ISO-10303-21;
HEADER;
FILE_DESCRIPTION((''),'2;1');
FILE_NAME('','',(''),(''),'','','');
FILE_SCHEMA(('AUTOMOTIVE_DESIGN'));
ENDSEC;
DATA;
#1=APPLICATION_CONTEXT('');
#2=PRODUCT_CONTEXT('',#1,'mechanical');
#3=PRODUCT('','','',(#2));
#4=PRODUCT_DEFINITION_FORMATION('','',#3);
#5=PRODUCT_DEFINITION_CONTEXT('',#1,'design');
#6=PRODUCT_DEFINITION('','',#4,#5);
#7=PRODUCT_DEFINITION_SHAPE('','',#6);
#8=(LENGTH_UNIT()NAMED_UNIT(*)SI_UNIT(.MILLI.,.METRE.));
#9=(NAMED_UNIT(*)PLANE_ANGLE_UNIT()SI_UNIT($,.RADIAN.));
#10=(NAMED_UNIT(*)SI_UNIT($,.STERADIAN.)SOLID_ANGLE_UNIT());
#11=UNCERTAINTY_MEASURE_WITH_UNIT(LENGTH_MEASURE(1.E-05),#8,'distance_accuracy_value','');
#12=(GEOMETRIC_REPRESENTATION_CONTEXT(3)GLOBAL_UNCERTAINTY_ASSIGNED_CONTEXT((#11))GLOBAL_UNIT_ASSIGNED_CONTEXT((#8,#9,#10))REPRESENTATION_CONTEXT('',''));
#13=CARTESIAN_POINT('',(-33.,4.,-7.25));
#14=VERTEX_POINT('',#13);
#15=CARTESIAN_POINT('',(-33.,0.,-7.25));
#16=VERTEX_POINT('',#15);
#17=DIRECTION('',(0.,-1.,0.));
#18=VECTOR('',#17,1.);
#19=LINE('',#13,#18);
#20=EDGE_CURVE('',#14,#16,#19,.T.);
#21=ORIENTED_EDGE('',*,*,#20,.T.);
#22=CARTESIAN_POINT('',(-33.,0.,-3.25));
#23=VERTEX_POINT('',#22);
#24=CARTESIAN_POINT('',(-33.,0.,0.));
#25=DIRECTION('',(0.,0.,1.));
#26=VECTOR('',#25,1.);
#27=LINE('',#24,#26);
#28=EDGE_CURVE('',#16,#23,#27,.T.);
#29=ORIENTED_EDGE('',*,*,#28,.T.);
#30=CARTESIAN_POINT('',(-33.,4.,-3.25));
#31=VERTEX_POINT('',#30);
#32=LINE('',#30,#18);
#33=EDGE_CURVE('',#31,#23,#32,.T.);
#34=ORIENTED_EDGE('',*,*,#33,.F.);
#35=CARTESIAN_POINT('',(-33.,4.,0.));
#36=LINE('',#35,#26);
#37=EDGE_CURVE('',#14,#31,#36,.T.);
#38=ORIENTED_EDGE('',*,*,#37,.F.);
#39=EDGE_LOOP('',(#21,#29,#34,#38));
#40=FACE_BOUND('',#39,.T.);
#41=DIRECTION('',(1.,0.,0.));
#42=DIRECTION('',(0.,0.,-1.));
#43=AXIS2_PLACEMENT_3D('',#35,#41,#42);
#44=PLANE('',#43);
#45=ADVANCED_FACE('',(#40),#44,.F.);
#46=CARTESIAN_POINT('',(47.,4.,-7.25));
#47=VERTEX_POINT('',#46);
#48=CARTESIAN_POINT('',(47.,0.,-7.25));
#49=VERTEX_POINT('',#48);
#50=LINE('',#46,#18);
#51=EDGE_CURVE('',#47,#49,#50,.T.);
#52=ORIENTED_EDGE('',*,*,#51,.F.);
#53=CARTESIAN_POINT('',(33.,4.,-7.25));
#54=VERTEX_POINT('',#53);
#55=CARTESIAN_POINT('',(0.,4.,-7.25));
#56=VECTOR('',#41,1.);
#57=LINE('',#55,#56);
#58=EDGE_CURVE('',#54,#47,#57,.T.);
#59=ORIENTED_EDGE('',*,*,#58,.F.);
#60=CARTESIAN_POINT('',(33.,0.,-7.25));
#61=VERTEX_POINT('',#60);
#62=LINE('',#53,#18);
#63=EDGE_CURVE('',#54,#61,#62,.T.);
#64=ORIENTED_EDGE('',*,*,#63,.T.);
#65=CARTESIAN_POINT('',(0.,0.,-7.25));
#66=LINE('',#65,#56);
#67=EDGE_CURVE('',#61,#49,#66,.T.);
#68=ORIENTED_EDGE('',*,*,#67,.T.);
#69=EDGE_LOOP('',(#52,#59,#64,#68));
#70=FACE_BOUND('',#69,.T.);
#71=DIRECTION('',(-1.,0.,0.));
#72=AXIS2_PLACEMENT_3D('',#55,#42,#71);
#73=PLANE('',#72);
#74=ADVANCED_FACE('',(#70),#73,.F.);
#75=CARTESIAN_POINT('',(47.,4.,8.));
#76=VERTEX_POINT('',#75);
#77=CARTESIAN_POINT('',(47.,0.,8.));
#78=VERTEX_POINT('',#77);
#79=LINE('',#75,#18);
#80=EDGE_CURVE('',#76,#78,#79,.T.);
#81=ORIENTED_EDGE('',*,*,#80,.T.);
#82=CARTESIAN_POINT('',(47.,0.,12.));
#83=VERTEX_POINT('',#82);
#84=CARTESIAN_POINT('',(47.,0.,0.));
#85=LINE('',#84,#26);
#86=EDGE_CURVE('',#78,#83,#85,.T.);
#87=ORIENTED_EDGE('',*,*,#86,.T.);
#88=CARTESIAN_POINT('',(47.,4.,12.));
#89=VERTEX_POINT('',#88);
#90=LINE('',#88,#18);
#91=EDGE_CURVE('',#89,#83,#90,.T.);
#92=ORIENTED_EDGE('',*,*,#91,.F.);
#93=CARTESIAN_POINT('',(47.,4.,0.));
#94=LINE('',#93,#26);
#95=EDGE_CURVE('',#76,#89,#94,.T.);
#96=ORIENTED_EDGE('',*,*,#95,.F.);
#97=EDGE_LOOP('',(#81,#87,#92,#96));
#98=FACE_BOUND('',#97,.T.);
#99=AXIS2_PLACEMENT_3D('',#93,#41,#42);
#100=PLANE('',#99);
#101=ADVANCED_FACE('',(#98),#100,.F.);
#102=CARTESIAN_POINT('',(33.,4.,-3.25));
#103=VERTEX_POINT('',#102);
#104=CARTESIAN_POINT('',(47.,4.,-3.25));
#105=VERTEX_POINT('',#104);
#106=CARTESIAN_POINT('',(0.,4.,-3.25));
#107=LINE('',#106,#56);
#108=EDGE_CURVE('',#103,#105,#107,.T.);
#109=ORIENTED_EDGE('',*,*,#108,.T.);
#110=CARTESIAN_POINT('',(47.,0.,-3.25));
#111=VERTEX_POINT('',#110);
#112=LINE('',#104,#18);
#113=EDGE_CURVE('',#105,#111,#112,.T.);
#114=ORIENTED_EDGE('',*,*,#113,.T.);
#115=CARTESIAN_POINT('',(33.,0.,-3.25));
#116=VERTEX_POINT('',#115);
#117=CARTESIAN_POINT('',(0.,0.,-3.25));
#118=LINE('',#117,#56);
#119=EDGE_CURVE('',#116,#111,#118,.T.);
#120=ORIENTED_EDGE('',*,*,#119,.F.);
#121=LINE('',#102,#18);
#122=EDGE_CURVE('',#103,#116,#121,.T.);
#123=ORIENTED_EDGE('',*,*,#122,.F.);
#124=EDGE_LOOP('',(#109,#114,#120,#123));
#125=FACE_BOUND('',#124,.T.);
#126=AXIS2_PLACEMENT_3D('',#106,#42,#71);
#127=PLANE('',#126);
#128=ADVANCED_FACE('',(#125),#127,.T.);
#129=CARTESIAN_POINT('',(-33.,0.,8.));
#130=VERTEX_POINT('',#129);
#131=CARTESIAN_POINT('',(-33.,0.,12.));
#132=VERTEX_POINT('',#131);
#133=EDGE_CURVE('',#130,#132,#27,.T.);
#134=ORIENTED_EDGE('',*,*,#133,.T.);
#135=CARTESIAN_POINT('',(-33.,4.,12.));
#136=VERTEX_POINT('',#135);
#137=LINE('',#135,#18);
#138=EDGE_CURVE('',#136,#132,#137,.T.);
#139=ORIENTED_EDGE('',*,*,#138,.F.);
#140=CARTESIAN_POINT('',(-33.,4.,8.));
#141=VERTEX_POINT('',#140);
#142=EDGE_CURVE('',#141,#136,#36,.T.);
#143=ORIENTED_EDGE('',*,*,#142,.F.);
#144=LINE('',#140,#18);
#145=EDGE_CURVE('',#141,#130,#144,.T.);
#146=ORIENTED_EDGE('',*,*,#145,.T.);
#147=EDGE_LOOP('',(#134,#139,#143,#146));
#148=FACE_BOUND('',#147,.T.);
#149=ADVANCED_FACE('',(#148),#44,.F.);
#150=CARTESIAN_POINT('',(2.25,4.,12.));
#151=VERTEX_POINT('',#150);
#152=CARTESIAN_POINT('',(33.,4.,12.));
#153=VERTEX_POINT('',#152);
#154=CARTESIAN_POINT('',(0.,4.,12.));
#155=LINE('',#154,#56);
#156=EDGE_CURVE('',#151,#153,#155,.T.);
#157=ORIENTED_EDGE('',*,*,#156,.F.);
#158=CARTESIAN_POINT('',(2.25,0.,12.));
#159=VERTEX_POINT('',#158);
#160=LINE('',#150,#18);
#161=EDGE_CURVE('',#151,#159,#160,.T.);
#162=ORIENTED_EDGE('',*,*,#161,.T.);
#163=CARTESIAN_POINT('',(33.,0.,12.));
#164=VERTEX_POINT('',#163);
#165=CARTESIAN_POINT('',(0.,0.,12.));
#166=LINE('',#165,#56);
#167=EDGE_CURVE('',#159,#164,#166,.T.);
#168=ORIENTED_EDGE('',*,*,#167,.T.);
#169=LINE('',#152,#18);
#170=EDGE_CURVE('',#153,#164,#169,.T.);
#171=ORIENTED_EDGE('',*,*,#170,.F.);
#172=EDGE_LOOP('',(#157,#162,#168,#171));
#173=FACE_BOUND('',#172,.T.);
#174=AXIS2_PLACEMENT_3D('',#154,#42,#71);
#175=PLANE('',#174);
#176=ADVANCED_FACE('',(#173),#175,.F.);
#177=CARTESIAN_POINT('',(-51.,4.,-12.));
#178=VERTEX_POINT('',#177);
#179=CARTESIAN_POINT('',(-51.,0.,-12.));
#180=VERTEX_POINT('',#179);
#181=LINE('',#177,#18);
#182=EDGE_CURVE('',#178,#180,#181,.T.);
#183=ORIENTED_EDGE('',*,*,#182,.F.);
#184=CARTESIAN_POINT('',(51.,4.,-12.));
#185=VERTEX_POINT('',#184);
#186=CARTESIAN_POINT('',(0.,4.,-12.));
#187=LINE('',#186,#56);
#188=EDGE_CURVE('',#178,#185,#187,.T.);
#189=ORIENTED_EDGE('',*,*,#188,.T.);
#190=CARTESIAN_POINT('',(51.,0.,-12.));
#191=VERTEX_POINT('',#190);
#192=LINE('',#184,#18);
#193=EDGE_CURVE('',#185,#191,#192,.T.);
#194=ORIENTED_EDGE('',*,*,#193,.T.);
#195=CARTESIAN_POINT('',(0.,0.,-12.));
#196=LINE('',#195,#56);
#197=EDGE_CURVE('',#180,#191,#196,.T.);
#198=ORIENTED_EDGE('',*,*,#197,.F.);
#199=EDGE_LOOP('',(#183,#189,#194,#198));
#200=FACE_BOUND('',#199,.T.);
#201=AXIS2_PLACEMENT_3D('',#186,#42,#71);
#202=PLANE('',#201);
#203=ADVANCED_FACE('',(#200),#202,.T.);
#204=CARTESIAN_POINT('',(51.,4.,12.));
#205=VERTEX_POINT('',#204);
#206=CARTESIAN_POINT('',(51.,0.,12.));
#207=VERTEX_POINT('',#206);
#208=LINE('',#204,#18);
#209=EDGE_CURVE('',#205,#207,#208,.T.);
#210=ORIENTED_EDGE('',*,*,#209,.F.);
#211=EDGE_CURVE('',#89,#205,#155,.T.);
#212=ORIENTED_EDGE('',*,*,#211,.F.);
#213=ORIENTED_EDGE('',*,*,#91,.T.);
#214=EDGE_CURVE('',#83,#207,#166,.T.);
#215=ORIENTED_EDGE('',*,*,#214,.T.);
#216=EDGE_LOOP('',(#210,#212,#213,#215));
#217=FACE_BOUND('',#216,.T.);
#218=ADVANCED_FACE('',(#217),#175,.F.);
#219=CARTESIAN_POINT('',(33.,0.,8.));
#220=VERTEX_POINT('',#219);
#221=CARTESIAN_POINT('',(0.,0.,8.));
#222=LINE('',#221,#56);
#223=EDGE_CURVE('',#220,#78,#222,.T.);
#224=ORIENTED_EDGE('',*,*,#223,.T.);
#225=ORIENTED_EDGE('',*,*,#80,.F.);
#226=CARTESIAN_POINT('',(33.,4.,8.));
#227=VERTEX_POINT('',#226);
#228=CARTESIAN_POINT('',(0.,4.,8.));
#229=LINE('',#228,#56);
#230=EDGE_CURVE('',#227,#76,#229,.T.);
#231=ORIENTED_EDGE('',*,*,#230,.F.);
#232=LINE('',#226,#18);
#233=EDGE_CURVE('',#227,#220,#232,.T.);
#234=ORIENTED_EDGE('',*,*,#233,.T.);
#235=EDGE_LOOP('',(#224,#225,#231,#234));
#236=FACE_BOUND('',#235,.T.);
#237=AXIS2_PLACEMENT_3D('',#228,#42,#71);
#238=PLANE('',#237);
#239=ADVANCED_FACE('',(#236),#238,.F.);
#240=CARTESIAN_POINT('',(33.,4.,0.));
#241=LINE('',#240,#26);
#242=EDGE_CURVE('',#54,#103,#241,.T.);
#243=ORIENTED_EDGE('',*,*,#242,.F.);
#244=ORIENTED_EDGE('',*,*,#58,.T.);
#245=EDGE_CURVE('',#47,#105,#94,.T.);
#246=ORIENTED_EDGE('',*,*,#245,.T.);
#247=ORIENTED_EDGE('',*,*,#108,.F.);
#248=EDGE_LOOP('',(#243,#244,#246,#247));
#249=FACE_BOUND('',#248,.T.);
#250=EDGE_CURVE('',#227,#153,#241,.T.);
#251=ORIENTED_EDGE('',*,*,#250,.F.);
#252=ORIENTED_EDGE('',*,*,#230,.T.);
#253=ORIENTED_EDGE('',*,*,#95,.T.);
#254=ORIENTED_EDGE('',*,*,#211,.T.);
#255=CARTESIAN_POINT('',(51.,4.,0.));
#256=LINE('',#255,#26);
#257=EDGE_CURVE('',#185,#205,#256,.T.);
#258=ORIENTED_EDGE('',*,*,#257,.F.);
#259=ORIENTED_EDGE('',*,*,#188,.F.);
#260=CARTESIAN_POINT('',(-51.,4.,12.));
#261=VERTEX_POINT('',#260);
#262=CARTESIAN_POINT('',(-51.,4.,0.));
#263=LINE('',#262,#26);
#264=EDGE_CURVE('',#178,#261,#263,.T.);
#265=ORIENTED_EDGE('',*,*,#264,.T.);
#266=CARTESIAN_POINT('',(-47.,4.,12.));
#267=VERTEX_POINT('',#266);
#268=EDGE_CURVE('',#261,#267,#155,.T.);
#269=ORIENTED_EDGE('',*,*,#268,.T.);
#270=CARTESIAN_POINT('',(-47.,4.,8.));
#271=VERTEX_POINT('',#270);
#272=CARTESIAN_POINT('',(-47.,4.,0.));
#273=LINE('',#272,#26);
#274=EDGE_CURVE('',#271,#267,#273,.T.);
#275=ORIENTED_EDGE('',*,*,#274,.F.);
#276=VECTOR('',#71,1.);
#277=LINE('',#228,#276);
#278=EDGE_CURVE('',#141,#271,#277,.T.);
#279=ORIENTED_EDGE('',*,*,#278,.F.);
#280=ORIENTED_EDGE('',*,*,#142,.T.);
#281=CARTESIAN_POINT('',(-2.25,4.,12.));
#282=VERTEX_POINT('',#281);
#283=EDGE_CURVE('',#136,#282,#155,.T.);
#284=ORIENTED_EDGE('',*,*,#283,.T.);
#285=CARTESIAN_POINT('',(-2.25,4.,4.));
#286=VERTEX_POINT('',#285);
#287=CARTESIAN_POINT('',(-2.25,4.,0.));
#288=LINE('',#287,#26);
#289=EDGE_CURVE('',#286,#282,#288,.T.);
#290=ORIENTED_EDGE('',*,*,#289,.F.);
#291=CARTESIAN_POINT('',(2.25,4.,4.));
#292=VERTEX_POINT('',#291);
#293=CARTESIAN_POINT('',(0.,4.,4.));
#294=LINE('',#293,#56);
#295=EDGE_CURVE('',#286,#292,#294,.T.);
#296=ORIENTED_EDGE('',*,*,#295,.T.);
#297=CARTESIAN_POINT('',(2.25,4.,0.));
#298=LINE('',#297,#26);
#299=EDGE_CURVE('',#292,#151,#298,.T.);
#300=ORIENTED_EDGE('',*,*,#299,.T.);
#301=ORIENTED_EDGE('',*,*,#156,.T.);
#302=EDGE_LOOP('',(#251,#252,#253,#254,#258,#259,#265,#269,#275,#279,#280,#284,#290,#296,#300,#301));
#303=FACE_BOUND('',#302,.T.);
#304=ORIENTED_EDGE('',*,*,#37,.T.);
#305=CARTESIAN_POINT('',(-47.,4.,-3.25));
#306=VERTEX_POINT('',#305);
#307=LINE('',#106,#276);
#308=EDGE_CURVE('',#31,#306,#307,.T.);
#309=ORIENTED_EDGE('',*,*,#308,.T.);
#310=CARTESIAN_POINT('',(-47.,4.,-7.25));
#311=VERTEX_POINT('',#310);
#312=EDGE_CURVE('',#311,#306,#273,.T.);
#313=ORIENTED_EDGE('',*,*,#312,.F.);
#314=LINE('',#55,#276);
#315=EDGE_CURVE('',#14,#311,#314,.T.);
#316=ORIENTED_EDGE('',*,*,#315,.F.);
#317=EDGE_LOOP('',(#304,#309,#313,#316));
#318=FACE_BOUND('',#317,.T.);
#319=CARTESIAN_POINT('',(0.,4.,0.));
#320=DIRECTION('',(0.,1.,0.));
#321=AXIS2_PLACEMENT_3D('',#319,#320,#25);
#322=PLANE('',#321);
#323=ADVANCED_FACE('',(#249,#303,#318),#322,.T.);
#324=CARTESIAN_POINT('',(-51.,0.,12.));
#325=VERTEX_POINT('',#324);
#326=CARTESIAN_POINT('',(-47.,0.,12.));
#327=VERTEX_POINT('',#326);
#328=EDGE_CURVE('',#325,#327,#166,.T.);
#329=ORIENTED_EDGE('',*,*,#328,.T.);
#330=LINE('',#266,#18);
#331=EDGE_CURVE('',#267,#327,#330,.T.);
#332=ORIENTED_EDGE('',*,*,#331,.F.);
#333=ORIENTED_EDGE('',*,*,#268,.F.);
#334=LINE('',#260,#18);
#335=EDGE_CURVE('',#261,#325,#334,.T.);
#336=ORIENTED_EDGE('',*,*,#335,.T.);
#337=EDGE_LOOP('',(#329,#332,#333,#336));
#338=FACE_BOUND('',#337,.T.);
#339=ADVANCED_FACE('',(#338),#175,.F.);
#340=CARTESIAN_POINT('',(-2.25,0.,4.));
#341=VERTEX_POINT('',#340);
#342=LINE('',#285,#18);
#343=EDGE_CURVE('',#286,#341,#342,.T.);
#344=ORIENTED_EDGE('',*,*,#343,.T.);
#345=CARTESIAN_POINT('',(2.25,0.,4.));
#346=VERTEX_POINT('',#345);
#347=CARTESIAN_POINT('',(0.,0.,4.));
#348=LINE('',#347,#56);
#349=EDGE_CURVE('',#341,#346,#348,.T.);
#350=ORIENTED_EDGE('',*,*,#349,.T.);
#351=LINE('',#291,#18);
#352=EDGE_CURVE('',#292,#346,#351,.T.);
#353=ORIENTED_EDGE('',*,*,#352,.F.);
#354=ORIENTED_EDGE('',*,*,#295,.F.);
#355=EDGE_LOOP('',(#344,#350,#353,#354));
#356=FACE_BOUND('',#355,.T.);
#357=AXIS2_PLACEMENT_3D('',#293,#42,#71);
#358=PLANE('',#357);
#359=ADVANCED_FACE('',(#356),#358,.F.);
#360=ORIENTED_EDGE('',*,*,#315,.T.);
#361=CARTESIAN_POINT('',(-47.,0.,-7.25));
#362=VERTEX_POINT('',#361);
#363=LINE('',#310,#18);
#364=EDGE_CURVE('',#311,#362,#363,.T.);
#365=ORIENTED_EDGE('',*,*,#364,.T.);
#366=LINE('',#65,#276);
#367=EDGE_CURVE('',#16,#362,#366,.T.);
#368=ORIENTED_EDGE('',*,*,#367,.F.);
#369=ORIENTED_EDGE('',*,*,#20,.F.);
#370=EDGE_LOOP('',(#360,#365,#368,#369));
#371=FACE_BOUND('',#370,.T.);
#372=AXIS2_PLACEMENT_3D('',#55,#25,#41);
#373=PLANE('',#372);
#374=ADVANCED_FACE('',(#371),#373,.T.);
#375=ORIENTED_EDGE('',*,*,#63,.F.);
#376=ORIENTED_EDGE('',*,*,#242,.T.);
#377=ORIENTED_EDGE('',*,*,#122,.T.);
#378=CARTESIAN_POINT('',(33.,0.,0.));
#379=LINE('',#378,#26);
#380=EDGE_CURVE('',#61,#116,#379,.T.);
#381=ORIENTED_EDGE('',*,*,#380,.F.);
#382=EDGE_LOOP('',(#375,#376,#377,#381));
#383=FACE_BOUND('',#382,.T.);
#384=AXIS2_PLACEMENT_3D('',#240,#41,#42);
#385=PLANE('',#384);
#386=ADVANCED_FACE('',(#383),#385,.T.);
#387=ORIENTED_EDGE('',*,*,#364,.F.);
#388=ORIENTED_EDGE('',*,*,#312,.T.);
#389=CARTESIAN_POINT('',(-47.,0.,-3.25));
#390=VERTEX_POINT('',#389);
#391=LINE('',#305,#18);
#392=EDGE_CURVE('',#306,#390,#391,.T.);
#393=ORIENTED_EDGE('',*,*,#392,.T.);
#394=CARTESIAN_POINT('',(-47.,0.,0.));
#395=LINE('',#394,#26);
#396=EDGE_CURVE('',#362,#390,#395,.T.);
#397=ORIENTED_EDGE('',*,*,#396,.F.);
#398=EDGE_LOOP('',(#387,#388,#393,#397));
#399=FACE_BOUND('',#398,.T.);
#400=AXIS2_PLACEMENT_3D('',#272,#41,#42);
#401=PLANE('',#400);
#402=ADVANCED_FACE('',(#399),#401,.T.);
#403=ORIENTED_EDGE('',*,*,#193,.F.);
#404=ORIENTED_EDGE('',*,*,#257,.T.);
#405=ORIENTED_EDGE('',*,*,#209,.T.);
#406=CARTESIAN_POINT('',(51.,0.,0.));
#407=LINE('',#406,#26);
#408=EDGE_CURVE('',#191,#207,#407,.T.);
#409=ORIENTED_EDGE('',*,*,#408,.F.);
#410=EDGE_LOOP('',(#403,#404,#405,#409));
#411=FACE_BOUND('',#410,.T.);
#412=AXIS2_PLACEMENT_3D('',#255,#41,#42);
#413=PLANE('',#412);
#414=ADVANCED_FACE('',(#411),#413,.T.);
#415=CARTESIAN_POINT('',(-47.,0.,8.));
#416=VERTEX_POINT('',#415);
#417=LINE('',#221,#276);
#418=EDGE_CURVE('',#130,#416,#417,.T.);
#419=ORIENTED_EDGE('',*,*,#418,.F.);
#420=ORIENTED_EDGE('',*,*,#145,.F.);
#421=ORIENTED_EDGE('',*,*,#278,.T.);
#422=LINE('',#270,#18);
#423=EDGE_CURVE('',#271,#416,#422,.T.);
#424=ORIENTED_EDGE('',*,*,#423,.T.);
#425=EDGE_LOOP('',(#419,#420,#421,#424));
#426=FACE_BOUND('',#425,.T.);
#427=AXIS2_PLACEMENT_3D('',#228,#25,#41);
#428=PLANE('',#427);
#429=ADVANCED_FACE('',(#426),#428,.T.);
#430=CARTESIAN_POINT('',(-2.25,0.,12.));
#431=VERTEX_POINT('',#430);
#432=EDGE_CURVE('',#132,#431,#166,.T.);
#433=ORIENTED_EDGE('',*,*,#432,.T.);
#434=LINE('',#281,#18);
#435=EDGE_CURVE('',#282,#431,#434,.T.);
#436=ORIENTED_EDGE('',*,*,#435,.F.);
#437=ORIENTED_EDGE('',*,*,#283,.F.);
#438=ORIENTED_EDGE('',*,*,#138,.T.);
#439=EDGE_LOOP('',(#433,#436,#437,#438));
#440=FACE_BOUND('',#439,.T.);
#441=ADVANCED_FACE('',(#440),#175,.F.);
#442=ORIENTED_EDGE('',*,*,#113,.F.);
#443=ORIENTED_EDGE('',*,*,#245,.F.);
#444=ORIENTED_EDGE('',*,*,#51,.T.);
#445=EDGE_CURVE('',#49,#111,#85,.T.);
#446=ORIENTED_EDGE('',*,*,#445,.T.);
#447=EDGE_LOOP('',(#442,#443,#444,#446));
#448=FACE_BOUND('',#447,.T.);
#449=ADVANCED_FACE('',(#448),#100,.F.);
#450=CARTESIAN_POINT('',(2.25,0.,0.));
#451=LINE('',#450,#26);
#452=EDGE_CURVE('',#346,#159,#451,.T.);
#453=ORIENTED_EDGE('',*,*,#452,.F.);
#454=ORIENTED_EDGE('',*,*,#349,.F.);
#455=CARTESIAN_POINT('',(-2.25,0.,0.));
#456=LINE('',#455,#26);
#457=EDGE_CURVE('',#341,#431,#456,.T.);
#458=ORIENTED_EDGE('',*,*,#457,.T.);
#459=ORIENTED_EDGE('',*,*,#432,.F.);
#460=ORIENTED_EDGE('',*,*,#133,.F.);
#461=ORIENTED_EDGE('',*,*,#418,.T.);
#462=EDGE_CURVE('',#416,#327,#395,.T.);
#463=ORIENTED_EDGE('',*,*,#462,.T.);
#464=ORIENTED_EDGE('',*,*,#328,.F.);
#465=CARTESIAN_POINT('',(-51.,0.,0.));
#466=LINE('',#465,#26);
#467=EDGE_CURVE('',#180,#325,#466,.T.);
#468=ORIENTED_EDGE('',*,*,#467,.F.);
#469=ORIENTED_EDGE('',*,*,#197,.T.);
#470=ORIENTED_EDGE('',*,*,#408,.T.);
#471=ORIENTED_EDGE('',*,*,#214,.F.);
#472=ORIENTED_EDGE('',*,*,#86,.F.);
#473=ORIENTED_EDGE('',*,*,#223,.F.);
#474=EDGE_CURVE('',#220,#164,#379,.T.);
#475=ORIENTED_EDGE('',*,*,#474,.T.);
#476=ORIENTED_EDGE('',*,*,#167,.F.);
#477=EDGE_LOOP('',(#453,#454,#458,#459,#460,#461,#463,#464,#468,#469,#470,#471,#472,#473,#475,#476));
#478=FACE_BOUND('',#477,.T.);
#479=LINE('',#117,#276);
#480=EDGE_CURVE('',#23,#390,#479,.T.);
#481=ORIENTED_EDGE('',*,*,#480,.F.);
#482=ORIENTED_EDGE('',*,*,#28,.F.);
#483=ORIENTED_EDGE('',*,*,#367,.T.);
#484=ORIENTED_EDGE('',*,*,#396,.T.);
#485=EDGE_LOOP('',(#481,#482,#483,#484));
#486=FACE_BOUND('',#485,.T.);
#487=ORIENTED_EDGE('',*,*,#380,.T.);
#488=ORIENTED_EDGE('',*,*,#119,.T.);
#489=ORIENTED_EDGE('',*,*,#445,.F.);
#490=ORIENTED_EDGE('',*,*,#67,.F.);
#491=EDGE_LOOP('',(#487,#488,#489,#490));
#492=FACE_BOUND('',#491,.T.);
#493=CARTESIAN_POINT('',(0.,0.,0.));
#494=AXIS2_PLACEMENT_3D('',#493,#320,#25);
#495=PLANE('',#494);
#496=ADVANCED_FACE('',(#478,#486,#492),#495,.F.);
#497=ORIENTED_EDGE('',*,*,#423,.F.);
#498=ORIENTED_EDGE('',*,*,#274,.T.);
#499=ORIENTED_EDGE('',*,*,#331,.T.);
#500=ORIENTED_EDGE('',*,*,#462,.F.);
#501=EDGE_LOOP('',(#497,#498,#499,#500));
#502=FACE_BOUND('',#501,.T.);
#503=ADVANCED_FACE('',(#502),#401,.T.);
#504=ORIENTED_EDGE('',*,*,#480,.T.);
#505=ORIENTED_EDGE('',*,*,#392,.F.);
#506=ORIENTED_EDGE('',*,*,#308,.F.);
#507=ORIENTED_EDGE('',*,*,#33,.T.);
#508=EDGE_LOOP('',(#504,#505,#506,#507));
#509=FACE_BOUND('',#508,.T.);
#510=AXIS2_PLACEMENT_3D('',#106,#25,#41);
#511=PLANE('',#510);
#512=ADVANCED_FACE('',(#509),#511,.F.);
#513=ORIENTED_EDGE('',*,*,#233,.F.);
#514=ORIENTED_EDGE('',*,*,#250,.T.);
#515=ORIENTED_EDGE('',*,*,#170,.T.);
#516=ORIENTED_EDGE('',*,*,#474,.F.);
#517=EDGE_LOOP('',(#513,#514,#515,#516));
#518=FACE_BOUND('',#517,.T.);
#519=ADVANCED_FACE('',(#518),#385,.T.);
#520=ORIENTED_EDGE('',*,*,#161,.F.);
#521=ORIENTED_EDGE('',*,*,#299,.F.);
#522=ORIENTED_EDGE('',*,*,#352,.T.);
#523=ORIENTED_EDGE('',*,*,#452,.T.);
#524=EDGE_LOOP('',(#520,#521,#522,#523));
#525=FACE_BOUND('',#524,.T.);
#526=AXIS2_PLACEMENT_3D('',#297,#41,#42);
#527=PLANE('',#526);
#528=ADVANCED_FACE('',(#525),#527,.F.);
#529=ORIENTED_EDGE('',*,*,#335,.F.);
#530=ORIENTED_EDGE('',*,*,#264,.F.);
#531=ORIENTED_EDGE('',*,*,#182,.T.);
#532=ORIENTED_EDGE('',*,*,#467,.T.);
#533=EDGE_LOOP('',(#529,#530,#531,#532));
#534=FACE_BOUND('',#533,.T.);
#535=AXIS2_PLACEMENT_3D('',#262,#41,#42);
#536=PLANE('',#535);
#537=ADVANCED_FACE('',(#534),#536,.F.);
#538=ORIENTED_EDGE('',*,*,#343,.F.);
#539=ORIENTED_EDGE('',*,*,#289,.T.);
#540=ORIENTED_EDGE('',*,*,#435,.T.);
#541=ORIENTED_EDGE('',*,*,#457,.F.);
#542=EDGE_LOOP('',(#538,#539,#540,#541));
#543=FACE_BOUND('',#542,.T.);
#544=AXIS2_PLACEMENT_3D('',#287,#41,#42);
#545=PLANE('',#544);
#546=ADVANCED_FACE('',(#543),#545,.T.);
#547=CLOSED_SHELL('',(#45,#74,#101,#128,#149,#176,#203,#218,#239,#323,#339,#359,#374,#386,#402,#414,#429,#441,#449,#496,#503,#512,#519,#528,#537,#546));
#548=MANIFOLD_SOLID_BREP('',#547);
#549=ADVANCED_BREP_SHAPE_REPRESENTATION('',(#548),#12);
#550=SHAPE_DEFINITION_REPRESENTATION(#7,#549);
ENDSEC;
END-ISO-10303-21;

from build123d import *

# Parameters (mm, degrees)
SKETCH1_W           = 14
SKETCH1_H           = 4
BOSS_EXTRUDE1_DEPTH = 4


with BuildPart() as part:
    # Sketch1 → Boss-Extrude1 (new body)
    with BuildSketch(Plane(origin=(0, 0, 0), x_dir=(1, 0, 0), z_dir=(0, 1, 0))):
        Polygon((51, 12), (-51, 12), (-51, -12), (-47, -12), (-47, -8), (-33, -8), (-33, -12), (-2.25, -12), (-2.25, -4), (2.25, -4), (2.25, -12), (33, -12), (33, -8), (47, -8), (47, -12), (51, -12), align=None)
        with Locations((-40, 5.25)):
            Rectangle(SKETCH1_W, SKETCH1_H, mode=Mode.SUBTRACT)
        with Locations((40, 5.25)):
            Rectangle(SKETCH1_W, SKETCH1_H, mode=Mode.SUBTRACT)
    extrude(amount=BOSS_EXTRUDE1_DEPTH)


solid = part.part
